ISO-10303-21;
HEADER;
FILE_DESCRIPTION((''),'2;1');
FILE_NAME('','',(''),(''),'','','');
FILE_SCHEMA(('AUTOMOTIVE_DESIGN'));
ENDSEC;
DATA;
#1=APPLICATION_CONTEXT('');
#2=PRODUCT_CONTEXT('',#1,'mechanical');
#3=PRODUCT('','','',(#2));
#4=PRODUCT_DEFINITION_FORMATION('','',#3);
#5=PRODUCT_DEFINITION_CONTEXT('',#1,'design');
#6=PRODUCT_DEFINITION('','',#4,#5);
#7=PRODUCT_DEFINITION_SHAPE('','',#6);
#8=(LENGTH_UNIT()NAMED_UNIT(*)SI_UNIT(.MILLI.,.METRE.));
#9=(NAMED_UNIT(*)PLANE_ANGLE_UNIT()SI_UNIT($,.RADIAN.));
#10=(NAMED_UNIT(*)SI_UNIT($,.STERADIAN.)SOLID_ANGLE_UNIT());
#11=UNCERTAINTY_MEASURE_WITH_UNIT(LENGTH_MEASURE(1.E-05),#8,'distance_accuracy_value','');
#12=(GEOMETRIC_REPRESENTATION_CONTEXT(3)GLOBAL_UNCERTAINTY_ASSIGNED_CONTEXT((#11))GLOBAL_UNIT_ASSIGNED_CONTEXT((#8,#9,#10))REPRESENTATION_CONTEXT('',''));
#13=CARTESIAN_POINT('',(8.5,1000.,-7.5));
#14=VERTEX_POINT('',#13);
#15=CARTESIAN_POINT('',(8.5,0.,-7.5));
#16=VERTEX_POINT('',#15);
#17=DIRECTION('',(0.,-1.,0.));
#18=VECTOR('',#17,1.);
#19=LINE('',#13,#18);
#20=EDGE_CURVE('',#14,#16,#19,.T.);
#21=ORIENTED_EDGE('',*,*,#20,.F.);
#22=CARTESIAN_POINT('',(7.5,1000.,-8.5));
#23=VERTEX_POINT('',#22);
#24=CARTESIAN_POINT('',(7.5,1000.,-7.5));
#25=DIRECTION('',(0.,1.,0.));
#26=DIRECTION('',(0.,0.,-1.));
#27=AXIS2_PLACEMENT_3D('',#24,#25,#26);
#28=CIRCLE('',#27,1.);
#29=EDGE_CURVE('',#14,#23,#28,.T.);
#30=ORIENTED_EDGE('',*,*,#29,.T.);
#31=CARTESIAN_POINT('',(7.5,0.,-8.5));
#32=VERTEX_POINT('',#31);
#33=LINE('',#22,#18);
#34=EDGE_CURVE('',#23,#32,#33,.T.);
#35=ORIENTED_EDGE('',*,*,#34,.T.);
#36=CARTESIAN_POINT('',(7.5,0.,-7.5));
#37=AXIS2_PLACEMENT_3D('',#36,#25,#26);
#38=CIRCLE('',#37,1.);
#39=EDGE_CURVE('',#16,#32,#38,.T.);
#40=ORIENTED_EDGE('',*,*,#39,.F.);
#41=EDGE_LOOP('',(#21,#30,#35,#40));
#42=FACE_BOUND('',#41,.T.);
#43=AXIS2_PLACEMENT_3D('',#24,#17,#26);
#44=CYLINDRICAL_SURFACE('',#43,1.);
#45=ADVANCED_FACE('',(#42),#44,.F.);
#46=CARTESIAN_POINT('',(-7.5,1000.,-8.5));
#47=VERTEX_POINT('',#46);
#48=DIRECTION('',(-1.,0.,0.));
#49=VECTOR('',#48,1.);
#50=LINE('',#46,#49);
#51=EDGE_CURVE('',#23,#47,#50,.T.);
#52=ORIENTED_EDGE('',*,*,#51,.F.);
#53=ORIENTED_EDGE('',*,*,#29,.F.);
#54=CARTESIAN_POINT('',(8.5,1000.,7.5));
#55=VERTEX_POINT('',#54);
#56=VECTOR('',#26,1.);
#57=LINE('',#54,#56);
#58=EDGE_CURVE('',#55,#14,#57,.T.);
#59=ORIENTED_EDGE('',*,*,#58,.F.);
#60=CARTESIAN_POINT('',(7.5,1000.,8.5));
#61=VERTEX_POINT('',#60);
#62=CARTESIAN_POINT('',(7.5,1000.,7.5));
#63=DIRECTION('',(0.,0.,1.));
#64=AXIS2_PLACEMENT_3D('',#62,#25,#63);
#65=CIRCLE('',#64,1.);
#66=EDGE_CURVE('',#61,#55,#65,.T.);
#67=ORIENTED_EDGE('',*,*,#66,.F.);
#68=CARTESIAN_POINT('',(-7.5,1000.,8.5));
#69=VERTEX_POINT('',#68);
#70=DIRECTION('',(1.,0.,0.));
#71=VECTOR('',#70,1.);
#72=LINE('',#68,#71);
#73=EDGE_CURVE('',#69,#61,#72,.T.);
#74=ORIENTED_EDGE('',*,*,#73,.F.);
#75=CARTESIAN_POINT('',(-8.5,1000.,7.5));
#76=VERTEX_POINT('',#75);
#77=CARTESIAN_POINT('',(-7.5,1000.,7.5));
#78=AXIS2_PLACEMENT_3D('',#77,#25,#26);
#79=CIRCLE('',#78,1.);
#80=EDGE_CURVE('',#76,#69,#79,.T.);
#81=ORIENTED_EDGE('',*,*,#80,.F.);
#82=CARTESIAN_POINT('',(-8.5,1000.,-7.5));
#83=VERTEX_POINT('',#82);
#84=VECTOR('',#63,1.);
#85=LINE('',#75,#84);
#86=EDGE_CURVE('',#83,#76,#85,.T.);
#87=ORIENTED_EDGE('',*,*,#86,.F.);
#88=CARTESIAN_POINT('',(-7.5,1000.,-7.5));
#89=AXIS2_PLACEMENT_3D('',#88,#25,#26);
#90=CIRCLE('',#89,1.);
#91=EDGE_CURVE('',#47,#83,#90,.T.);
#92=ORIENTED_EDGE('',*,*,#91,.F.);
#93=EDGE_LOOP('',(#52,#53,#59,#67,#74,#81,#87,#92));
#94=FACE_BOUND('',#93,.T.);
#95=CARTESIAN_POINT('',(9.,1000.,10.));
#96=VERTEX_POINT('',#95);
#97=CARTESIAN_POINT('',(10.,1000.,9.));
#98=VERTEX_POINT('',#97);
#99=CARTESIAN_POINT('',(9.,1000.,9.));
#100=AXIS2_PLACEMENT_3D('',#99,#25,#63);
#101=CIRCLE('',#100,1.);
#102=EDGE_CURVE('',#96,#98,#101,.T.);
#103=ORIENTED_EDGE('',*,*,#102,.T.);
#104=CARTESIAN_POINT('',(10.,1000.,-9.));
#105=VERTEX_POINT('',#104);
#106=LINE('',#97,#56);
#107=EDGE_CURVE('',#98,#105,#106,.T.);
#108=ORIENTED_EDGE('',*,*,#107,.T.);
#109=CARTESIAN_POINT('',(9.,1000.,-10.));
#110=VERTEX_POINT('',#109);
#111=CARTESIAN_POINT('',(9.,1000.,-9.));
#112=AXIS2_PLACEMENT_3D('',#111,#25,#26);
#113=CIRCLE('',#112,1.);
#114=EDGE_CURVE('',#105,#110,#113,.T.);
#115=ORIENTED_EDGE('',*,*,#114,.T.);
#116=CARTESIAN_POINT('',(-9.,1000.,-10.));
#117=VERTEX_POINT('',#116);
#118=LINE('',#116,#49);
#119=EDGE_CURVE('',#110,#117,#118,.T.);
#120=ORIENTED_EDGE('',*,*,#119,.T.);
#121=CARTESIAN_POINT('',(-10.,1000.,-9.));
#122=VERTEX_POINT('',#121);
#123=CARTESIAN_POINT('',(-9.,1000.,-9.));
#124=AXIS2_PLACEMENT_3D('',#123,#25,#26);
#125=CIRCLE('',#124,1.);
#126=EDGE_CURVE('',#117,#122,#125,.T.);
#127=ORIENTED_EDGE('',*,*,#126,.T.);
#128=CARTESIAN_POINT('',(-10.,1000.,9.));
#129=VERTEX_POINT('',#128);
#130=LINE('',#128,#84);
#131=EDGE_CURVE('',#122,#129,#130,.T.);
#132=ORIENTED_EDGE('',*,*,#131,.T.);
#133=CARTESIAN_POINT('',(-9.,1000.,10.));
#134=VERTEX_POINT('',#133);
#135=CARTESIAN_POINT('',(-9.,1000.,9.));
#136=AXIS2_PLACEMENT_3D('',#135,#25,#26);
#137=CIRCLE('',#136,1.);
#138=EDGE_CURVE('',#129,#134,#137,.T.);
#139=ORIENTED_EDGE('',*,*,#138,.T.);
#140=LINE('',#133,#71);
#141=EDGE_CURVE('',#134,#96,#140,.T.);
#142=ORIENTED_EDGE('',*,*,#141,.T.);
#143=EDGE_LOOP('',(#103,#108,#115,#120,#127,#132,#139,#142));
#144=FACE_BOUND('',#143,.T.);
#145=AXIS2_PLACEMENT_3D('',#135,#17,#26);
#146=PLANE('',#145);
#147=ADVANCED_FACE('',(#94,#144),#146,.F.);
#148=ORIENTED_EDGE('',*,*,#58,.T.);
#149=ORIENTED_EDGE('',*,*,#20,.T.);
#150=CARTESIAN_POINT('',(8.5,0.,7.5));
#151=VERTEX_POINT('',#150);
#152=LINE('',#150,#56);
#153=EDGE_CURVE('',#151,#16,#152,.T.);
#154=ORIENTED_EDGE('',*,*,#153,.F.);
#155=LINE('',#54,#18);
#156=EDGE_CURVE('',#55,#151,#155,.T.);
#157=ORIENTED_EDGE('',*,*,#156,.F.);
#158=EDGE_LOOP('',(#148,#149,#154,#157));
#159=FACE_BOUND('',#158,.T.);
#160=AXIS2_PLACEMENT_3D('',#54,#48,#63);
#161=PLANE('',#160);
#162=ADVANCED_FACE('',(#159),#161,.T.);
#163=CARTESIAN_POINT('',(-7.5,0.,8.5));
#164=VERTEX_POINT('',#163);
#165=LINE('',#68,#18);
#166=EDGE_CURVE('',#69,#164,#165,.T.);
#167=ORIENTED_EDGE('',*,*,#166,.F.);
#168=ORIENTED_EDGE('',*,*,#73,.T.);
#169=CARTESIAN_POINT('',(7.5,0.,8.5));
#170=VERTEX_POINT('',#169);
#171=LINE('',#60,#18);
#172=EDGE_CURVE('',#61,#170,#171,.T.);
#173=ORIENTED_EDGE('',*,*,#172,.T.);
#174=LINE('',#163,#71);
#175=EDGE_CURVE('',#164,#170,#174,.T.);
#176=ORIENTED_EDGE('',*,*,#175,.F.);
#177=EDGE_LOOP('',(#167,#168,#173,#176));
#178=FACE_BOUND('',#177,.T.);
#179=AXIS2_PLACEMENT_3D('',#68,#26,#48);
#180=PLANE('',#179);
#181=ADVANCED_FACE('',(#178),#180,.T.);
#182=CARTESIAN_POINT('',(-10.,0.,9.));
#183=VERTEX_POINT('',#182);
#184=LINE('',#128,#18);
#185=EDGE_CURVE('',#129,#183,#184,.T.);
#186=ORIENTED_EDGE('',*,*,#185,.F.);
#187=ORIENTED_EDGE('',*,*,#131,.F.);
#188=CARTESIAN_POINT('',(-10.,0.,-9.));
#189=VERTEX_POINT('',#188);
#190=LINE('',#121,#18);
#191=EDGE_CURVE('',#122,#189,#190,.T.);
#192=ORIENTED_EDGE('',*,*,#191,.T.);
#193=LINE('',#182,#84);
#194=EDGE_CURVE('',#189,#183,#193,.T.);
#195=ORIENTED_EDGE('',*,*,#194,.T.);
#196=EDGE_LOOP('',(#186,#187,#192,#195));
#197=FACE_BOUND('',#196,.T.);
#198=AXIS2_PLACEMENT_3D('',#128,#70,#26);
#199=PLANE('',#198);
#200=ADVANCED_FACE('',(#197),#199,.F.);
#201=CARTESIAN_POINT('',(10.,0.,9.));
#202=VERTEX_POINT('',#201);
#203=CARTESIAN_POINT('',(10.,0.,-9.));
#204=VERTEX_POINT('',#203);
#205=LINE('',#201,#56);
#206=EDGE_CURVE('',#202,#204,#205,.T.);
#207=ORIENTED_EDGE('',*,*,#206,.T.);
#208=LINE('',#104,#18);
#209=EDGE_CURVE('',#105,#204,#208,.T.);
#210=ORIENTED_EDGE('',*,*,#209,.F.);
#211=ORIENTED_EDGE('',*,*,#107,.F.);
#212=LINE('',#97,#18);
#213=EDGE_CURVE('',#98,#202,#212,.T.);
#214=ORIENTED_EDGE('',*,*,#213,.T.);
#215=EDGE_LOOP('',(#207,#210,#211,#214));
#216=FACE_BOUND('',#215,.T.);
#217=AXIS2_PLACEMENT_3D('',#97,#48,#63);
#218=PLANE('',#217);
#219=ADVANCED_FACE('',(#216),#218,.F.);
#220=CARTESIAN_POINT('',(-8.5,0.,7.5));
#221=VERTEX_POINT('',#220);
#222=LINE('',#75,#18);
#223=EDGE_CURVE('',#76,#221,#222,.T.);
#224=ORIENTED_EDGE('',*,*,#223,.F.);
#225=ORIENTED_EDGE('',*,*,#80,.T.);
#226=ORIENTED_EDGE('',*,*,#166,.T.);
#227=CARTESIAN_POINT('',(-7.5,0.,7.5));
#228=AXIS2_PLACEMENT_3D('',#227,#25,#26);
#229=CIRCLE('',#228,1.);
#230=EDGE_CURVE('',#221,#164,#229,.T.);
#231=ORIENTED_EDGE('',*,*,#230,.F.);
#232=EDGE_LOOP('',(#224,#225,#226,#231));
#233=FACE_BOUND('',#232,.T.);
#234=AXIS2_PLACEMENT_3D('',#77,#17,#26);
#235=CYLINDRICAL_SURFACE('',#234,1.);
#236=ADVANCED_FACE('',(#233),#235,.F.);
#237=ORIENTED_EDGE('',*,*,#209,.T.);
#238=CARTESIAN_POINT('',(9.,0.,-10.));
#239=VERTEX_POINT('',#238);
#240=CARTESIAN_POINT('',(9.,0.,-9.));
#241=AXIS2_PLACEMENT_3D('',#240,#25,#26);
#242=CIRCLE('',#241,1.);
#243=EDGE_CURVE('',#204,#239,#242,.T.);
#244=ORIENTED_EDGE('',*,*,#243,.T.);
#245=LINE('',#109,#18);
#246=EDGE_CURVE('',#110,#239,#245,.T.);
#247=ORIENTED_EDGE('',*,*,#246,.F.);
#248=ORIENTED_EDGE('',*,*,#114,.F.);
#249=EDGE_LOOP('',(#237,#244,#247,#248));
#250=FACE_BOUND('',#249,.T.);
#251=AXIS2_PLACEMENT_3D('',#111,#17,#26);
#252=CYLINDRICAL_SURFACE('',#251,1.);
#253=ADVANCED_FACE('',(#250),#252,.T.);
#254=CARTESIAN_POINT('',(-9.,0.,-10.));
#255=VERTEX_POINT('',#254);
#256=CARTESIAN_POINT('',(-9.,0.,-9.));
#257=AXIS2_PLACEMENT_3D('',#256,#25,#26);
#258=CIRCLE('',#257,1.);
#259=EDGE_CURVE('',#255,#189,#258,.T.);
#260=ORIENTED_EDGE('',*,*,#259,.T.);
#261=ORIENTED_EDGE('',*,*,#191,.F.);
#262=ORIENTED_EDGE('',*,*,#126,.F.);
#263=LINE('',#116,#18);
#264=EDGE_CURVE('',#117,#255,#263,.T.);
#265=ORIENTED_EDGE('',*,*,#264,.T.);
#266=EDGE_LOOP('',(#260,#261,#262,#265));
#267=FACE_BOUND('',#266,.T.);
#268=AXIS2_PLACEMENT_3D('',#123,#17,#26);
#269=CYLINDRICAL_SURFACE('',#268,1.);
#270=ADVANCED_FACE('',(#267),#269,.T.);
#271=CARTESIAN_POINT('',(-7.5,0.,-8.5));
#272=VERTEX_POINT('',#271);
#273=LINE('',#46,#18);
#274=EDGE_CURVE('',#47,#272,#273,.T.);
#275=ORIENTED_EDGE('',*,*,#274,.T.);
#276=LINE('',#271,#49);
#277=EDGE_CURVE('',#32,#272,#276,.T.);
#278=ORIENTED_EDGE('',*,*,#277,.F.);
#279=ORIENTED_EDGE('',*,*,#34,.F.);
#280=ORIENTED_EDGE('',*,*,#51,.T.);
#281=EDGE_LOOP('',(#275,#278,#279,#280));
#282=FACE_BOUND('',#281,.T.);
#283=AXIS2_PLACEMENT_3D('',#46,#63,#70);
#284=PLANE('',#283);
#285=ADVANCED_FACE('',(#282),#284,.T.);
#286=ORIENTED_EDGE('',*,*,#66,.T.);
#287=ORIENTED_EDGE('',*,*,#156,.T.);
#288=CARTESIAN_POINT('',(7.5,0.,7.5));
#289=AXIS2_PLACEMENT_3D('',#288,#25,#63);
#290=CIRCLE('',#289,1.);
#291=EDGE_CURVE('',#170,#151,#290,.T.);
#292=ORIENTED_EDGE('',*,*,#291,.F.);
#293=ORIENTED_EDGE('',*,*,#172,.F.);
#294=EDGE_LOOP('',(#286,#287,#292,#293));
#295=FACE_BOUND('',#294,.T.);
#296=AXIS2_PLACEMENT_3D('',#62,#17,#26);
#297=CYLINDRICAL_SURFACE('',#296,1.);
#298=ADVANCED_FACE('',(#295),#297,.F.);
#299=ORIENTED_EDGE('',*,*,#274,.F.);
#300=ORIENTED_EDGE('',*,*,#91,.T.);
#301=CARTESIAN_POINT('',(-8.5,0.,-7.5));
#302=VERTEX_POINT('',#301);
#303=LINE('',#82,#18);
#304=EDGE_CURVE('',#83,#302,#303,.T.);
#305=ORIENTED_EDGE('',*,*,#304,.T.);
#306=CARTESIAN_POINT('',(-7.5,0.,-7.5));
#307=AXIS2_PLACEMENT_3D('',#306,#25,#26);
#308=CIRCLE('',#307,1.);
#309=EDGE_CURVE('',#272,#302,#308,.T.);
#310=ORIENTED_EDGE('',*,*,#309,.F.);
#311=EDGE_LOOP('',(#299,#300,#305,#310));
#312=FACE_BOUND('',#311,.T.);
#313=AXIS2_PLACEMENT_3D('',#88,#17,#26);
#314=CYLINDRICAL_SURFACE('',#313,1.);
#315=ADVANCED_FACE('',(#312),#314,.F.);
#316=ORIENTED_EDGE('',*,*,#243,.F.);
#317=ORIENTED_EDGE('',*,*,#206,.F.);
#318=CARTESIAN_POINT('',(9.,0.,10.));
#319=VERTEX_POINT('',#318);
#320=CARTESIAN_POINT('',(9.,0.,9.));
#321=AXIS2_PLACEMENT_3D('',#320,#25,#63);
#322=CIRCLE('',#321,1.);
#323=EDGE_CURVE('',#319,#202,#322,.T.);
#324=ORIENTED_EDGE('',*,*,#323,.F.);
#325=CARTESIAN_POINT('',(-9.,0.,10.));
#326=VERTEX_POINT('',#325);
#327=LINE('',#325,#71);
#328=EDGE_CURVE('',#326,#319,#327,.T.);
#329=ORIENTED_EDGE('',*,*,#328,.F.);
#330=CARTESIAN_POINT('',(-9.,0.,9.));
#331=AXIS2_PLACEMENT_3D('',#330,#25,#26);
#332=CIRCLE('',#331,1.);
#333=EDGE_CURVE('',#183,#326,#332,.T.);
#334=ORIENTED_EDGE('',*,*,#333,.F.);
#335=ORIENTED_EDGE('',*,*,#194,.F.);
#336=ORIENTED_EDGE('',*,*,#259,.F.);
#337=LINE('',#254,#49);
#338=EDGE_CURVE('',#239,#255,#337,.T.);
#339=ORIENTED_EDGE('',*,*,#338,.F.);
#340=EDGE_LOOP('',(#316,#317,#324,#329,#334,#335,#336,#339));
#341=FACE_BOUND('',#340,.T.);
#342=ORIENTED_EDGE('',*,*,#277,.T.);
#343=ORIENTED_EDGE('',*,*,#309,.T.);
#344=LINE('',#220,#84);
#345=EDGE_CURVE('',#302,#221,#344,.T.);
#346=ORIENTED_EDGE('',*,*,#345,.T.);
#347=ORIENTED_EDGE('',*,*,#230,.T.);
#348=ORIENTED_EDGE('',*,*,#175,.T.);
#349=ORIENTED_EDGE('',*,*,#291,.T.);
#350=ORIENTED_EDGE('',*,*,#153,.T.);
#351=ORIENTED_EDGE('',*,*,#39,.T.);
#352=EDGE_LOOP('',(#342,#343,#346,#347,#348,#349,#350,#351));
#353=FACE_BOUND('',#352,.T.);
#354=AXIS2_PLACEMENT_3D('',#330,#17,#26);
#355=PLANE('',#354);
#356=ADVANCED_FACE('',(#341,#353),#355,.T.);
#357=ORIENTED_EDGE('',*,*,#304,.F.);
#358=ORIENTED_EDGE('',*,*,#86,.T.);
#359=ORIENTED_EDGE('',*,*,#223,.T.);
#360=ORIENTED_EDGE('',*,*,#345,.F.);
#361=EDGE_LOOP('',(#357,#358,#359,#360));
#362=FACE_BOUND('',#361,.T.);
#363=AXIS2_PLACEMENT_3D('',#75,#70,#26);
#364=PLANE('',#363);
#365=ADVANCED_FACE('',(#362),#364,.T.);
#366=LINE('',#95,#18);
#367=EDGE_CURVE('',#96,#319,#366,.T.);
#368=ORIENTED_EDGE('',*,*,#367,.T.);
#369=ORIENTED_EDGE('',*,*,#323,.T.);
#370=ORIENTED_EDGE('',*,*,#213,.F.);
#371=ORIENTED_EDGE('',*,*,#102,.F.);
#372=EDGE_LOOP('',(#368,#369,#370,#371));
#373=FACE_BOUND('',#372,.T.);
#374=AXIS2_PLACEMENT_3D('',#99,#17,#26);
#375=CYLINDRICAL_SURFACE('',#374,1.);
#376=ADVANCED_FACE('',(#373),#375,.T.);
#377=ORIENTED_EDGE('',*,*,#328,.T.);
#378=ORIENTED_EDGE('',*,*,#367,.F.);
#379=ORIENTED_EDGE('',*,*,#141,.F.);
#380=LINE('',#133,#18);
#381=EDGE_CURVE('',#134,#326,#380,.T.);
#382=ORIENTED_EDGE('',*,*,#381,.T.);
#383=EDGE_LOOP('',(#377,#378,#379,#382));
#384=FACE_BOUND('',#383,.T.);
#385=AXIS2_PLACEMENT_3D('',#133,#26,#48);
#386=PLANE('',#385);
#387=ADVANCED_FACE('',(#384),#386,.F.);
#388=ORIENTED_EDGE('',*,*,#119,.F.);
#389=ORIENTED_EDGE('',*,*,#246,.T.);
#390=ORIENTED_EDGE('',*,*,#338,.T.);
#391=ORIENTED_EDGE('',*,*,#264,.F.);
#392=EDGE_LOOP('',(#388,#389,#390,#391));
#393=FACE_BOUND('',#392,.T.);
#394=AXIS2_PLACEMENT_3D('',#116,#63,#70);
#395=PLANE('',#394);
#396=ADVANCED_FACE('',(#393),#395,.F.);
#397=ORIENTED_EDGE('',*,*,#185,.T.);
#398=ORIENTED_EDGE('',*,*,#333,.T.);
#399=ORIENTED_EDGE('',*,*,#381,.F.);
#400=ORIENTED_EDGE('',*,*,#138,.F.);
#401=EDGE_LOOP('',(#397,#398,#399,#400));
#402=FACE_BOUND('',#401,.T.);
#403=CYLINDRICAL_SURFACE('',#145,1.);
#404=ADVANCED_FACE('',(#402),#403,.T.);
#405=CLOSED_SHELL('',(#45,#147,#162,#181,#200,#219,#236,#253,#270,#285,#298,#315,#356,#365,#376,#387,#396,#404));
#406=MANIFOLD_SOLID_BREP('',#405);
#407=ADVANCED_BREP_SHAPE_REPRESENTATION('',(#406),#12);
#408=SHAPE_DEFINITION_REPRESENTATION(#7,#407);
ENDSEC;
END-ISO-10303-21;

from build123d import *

# Parameters (mm, degrees)
BOSS_EXTRUDE1_DEPTH = 1000


with BuildPart() as part:
    # Sketch1 → Boss-Extrude1 (new body)
    with BuildSketch(Plane(origin=(0, 0, 0), x_dir=(1, 0, 0), z_dir=(0, 1, 0))):
        with BuildLine():
            Line((-9, -10), (9, -10))
            ThreePointArc((9, -10), (9.707106781, -9.707106781), (10, -9))
            Line((10, -9), (10, 9))
            ThreePointArc((10, 9), (9.707106781, 9.707106781), (9, 10))
            Line((9, 10), (-9, 10))
            ThreePointArc((-9, 10), (-9.707106781, 9.707106781), (-10, 9))
            Line((-10, 9), (-10, -9))
            ThreePointArc((-10, -9), (-9.707106781, -9.707106781), (-9, -10))
        make_face()
        with BuildLine():
            Line((-7.5, -8.5), (7.5, -8.5))
            ThreePointArc((7.5, -8.5), (8.207106781, -8.207106781), (8.5, -7.5))
            Line((8.5, -7.5), (8.5, 7.5))
            ThreePointArc((8.5, 7.5), (8.207106781, 8.207106781), (7.5, 8.5))
            Line((7.5, 8.5), (-7.5, 8.5))
            ThreePointArc((-7.5, 8.5), (-8.207106781, 8.207106781), (-8.5, 7.5))
            Line((-8.5, 7.5), (-8.5, -7.5))
            ThreePointArc((-8.5, -7.5), (-8.207106781, -8.207106781), (-7.5, -8.5))
        make_face(mode=Mode.SUBTRACT)
    extrude(amount=BOSS_EXTRUDE1_DEPTH)


solid = part.part
